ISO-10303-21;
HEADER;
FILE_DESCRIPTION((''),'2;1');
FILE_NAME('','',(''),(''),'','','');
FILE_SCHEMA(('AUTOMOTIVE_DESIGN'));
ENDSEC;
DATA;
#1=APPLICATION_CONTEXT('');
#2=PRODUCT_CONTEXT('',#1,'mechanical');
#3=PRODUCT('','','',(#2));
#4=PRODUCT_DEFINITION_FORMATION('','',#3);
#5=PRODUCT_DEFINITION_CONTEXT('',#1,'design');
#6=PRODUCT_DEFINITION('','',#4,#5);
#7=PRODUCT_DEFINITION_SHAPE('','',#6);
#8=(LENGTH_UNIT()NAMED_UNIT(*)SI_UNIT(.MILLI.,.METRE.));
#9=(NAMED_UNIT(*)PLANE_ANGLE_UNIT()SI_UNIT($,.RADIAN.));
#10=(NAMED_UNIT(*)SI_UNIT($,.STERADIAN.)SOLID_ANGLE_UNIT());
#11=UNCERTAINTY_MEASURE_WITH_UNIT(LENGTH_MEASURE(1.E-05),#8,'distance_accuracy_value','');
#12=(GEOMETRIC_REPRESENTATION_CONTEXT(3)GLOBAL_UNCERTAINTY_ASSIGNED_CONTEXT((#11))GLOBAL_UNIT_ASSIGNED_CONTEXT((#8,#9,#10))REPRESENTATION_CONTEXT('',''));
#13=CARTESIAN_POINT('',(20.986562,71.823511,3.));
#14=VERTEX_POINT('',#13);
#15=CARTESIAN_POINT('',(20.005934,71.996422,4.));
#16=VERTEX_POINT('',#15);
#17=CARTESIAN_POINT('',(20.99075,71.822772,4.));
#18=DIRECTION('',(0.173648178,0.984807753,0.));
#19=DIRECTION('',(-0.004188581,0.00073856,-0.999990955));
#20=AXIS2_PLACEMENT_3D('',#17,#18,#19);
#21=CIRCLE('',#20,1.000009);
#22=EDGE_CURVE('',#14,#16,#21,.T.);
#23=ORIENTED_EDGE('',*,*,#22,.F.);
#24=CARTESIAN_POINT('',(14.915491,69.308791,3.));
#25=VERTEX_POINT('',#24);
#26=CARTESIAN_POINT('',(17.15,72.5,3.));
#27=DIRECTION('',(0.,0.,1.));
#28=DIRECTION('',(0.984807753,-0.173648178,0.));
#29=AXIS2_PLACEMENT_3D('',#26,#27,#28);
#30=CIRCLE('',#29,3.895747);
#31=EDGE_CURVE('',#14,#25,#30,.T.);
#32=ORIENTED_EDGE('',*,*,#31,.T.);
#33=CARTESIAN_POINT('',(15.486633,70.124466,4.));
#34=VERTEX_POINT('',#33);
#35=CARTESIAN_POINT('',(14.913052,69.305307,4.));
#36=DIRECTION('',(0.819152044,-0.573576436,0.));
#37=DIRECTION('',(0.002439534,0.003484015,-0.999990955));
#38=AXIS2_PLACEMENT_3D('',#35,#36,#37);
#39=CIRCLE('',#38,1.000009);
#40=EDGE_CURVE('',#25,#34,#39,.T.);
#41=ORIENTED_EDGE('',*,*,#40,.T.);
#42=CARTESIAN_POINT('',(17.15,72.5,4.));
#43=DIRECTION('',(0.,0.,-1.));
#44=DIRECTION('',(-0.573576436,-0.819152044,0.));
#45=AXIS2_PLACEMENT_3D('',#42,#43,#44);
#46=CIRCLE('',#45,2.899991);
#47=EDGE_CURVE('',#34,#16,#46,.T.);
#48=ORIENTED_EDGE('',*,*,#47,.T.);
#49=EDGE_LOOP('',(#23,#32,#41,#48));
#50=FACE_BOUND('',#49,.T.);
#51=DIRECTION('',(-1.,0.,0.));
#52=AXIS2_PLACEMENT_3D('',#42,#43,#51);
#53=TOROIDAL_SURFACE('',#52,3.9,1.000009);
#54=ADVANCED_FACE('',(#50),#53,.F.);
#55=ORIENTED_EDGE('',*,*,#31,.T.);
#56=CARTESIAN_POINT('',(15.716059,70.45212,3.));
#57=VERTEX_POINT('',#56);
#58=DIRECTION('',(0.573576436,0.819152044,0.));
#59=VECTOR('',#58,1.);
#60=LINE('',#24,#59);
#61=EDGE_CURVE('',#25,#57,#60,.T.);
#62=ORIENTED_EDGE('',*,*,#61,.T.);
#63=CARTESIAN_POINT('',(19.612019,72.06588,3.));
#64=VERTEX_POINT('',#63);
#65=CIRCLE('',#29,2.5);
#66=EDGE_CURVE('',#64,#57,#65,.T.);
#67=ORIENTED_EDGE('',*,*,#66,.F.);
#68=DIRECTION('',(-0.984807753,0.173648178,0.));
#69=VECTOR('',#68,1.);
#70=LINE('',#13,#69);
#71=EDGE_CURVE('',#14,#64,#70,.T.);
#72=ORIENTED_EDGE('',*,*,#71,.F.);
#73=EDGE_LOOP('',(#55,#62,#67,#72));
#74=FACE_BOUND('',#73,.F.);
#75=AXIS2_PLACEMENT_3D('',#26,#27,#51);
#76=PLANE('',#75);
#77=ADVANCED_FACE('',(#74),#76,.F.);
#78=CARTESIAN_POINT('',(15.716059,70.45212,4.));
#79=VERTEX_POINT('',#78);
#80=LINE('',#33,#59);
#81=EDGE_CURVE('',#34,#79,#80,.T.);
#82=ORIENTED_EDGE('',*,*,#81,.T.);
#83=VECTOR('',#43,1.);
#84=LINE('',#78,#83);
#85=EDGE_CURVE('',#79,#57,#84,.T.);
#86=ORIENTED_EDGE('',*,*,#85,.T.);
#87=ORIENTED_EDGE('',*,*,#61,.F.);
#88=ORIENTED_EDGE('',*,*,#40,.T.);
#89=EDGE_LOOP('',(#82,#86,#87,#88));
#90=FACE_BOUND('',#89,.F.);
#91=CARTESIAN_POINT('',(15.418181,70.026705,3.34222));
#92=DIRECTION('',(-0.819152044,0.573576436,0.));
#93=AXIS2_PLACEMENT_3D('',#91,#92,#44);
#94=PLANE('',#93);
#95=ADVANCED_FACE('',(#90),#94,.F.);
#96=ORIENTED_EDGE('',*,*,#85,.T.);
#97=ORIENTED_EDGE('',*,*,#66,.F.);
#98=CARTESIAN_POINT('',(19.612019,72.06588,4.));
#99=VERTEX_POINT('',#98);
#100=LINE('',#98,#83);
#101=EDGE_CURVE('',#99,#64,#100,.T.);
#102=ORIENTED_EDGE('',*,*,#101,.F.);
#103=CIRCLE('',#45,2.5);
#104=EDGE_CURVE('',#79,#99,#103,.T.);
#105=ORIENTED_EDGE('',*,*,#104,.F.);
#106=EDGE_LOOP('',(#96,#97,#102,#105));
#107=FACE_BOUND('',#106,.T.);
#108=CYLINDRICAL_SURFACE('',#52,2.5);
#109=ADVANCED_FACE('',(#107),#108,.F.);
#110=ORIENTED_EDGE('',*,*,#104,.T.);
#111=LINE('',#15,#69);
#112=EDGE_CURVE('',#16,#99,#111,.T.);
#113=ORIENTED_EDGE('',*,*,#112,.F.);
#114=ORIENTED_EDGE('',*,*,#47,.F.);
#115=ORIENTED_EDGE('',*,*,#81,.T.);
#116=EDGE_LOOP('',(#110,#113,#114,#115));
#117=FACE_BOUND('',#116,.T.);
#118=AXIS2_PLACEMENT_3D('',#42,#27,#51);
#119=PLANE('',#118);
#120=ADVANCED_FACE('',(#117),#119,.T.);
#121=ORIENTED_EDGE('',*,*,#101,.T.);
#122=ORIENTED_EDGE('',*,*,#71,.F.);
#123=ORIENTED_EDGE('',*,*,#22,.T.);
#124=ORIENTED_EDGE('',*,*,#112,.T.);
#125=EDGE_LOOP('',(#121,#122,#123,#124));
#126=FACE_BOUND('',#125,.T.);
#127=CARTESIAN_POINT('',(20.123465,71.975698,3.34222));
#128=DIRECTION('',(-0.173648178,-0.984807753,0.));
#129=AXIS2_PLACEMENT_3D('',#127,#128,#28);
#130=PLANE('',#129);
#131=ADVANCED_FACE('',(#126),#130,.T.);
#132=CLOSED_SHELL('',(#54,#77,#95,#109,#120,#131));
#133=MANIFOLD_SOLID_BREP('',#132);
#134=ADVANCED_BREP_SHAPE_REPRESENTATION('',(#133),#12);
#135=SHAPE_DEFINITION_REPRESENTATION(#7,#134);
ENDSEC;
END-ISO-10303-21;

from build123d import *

# Parameters (mm, degrees)
REVOLUTION001_ANGLE = 55
REVOLUTION_ANGLE    = -190


with BuildPart() as right_pillar_round_down:
    # Sketch093 → Revolution001 (revolve)
    with BuildSketch(Plane(origin=(17.15, 72.5, 3), x_dir=(1, 0, 0), z_dir=(0, -1, 0))):
        with BuildLine():
            ThreePointArc((-3.895747, 0), (-3.191385, 0.294392), (-2.899991, 1))
            Line((-2.899991, 1), (-2.5, 1))
            Line((-2.5, 1), (-2.5, 0))
            Line((-3.895747, 0), (-2.5, 0))
        make_face()
    revolve(axis=Axis((17.15, 72.5, 3), (0, 0, 1)), revolution_arc=REVOLUTION001_ANGLE)


with BuildPart() as pillar_right_custom_round_base:
    # Sketch092 → Revolution (revolve)
    with BuildSketch(Plane(origin=(17.15, 72.5, 3), x_dir=(1, 0, 0), z_dir=(0, -1, 0))):
        with BuildLine():
            ThreePointArc((-3.895747, 0), (-3.191385, 0.294392), (-2.899991, 1))
            Line((-2.899991, 1), (-2.5, 1))
            Line((-2.5, 1), (-2.5, 0))
            Line((-3.895747, 0), (-2.5, 0))
        make_face()
    revolve(axis=Axis((17.15, 72.5, 3), (0, 0, 1)), revolution_arc=REVOLUTION_ANGLE)

    # Fusion007039: union right_pillar_round_down
    add(right_pillar_round_down.part)


solid = pillar_right_custom_round_base.part
